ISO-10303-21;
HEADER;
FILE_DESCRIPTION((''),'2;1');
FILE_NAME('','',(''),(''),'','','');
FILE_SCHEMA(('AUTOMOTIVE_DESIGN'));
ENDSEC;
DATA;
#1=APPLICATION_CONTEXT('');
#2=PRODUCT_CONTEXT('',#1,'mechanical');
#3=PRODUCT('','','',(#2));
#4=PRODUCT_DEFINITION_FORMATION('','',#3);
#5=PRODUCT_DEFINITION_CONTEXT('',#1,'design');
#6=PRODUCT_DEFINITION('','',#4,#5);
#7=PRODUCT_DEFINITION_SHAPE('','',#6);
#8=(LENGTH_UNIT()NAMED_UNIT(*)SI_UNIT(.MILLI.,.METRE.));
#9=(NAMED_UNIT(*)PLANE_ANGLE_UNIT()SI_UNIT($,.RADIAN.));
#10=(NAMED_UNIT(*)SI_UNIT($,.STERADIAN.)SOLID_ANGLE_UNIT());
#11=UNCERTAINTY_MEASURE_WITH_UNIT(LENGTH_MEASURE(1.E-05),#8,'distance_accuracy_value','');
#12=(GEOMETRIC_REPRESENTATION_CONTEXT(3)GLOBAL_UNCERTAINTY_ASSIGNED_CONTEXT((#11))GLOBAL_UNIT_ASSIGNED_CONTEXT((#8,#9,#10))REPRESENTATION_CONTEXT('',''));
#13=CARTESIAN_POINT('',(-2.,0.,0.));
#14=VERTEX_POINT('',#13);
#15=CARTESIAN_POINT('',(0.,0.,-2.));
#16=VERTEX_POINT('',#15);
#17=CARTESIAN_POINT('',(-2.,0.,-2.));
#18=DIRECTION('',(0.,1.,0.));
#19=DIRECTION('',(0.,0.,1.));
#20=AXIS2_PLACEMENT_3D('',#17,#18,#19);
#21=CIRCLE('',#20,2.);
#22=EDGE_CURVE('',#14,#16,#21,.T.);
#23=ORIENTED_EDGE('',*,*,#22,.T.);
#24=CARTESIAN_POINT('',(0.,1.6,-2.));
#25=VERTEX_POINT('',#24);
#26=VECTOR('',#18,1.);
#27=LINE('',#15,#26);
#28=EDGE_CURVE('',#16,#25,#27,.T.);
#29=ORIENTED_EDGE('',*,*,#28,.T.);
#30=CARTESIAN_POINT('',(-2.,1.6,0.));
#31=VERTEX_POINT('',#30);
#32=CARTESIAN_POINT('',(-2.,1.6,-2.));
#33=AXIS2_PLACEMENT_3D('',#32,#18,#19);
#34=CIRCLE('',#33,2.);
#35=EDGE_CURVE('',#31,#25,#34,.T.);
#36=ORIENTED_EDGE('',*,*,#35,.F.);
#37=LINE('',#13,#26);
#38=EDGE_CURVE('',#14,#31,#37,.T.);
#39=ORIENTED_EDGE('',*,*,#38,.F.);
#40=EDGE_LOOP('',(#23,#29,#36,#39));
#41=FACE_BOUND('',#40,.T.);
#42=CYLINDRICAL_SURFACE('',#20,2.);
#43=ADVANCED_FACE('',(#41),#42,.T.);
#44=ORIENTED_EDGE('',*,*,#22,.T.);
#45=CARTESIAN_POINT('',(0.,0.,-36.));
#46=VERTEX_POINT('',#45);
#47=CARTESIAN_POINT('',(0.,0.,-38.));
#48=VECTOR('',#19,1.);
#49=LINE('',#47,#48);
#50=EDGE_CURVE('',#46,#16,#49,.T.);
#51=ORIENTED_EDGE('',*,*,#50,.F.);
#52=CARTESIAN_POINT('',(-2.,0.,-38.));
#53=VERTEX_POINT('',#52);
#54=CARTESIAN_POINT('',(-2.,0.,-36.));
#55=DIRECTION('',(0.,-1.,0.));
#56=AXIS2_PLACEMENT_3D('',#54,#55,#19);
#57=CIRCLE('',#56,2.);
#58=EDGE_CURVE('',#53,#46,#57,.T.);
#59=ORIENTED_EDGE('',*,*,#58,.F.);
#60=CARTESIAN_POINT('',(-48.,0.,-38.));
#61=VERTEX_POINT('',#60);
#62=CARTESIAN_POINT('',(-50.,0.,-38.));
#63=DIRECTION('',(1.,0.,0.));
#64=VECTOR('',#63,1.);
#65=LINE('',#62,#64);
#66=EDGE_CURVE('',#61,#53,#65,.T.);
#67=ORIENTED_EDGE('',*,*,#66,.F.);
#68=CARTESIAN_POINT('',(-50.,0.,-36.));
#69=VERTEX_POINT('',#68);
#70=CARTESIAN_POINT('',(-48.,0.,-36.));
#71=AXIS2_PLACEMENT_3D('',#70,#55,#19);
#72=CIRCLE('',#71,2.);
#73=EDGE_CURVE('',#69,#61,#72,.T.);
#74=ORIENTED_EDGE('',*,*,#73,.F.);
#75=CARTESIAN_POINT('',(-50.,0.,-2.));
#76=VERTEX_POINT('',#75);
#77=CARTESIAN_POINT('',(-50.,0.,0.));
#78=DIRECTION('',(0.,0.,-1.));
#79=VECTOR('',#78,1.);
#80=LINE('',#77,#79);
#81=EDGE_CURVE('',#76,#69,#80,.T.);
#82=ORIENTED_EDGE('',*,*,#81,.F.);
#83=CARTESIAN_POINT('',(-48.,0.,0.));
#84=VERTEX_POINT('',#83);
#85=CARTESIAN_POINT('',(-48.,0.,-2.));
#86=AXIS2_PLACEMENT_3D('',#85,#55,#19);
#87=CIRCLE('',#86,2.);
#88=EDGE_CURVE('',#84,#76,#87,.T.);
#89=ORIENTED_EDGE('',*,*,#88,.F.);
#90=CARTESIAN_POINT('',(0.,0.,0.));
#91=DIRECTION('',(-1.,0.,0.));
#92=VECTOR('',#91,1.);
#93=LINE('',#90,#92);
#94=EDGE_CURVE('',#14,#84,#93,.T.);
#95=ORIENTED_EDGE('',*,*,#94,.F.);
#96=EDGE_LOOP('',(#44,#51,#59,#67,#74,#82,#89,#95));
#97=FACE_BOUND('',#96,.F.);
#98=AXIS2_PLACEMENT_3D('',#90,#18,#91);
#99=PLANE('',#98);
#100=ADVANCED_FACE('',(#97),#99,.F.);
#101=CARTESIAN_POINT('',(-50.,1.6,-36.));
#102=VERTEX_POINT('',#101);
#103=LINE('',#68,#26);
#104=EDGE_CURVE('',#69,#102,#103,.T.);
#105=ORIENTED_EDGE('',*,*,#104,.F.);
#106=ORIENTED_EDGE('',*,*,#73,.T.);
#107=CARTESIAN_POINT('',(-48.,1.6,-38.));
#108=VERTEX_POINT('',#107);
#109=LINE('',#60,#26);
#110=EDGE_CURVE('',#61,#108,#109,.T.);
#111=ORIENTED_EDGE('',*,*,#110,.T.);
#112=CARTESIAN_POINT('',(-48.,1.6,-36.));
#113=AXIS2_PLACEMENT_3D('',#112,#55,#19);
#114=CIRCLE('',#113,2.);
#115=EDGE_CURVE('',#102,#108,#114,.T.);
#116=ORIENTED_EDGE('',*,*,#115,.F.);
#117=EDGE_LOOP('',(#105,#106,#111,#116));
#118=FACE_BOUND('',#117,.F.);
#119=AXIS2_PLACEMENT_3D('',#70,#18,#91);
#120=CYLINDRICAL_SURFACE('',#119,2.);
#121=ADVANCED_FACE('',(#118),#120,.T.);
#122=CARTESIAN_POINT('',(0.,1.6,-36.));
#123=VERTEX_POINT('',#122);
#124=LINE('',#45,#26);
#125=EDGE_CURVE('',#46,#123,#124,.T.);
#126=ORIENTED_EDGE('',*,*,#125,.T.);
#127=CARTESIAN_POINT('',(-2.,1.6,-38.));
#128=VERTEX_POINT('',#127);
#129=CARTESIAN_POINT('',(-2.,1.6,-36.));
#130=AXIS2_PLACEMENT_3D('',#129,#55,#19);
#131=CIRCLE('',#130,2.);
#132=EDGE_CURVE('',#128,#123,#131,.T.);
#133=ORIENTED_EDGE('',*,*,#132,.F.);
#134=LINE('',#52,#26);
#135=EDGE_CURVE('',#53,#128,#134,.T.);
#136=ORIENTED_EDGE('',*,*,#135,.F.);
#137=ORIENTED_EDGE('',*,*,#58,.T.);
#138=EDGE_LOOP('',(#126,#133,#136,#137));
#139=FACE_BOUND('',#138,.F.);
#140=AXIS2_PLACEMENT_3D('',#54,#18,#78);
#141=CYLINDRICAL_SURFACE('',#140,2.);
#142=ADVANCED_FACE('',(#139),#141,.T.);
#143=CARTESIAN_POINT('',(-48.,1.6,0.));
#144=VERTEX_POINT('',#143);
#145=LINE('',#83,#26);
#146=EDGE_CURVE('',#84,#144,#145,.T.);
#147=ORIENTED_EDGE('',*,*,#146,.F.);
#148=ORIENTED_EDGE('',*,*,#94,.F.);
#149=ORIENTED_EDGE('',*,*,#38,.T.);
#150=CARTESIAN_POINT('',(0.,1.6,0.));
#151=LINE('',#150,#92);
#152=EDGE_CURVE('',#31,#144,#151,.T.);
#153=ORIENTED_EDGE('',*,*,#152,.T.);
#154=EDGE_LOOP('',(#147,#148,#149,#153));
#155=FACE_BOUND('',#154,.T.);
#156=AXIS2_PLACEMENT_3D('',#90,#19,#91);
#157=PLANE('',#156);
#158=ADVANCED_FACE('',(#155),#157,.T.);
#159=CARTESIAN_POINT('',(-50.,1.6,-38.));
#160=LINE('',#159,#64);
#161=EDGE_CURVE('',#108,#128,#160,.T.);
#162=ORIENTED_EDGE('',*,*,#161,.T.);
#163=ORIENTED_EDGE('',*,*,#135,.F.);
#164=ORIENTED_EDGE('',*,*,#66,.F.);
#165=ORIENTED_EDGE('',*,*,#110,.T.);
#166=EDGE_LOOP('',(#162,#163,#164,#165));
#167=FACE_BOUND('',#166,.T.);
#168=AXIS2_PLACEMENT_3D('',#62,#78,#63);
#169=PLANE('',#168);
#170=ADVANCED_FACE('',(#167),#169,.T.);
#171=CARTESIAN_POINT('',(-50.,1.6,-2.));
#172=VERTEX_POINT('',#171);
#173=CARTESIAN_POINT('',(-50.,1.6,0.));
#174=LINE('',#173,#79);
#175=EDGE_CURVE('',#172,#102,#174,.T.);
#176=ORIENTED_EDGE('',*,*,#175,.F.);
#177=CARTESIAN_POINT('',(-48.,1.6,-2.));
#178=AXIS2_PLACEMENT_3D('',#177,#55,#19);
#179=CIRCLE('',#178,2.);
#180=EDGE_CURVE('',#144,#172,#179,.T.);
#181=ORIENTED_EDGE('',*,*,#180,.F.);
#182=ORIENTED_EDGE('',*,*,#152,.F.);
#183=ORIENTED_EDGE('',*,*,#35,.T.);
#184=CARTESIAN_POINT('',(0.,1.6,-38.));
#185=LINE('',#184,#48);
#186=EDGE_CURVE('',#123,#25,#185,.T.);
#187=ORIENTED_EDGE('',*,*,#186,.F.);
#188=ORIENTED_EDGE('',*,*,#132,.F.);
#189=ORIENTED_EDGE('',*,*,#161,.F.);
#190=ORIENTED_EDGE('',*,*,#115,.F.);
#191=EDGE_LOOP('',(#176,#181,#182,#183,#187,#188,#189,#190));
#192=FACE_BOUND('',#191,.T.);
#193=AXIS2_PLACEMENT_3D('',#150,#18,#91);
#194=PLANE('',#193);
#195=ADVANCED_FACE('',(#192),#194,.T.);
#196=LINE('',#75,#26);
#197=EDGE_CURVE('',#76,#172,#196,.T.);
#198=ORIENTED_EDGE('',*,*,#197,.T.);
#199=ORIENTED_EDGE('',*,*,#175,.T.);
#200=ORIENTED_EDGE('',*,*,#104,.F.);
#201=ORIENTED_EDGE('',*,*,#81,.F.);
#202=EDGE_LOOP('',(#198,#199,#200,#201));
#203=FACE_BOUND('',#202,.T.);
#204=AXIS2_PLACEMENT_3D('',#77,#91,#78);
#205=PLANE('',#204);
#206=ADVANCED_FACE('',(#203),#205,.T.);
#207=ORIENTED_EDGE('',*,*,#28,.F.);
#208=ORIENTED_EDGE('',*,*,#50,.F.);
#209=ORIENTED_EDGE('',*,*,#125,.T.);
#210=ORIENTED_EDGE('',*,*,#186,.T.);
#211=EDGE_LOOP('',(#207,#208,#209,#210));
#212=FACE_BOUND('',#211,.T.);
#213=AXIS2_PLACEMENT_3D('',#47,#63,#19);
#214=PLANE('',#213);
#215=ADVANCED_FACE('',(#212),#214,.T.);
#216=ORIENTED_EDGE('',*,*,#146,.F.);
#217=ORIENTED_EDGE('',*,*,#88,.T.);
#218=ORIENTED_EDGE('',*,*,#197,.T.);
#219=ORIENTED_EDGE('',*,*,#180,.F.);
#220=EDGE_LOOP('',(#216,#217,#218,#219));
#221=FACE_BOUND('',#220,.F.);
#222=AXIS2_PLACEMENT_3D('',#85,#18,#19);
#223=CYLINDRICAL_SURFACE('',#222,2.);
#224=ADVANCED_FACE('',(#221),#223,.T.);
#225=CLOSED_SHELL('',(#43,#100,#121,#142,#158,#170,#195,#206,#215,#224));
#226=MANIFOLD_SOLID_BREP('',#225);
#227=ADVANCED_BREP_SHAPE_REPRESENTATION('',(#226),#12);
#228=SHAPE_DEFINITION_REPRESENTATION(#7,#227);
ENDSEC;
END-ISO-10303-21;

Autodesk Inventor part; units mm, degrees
ref_plane "YZ Plane" through (0, 0, 0) normal (1, 0, 0) x (0, 1, 0)
ref_plane "XZ Plane" through (0, 0, 0) normal (0, 1, 0) x (-1, 0, 0)
ref_plane "XY Plane" through (0, 0, 0) normal (0, 0, 1) x (1, 0, 0)
sketch "Sketch1" plane through (0, 0, 0) normal (0, 1, 0) x (-1, 0, 0)
  line L0 (0, 0) -> (50, 0)
  line L1 (50, 0) -> (50, -38)
  line L2 (50, -38) -> (0, -38)
  line L3 (0, -38) -> (0, 0)
  dimension "d0" = 38
  dimension "d1" = 50
extrude "Extrusion1" add sketch "Sketch1" along normal blind 1.6
fillet "Fillet1" radius 2 4 edges at (0, 0.8, 0) (0, 0.8, -38) (-50, 0.8, -38) (-50, 0.8, 0)
properties part number "PCB"
